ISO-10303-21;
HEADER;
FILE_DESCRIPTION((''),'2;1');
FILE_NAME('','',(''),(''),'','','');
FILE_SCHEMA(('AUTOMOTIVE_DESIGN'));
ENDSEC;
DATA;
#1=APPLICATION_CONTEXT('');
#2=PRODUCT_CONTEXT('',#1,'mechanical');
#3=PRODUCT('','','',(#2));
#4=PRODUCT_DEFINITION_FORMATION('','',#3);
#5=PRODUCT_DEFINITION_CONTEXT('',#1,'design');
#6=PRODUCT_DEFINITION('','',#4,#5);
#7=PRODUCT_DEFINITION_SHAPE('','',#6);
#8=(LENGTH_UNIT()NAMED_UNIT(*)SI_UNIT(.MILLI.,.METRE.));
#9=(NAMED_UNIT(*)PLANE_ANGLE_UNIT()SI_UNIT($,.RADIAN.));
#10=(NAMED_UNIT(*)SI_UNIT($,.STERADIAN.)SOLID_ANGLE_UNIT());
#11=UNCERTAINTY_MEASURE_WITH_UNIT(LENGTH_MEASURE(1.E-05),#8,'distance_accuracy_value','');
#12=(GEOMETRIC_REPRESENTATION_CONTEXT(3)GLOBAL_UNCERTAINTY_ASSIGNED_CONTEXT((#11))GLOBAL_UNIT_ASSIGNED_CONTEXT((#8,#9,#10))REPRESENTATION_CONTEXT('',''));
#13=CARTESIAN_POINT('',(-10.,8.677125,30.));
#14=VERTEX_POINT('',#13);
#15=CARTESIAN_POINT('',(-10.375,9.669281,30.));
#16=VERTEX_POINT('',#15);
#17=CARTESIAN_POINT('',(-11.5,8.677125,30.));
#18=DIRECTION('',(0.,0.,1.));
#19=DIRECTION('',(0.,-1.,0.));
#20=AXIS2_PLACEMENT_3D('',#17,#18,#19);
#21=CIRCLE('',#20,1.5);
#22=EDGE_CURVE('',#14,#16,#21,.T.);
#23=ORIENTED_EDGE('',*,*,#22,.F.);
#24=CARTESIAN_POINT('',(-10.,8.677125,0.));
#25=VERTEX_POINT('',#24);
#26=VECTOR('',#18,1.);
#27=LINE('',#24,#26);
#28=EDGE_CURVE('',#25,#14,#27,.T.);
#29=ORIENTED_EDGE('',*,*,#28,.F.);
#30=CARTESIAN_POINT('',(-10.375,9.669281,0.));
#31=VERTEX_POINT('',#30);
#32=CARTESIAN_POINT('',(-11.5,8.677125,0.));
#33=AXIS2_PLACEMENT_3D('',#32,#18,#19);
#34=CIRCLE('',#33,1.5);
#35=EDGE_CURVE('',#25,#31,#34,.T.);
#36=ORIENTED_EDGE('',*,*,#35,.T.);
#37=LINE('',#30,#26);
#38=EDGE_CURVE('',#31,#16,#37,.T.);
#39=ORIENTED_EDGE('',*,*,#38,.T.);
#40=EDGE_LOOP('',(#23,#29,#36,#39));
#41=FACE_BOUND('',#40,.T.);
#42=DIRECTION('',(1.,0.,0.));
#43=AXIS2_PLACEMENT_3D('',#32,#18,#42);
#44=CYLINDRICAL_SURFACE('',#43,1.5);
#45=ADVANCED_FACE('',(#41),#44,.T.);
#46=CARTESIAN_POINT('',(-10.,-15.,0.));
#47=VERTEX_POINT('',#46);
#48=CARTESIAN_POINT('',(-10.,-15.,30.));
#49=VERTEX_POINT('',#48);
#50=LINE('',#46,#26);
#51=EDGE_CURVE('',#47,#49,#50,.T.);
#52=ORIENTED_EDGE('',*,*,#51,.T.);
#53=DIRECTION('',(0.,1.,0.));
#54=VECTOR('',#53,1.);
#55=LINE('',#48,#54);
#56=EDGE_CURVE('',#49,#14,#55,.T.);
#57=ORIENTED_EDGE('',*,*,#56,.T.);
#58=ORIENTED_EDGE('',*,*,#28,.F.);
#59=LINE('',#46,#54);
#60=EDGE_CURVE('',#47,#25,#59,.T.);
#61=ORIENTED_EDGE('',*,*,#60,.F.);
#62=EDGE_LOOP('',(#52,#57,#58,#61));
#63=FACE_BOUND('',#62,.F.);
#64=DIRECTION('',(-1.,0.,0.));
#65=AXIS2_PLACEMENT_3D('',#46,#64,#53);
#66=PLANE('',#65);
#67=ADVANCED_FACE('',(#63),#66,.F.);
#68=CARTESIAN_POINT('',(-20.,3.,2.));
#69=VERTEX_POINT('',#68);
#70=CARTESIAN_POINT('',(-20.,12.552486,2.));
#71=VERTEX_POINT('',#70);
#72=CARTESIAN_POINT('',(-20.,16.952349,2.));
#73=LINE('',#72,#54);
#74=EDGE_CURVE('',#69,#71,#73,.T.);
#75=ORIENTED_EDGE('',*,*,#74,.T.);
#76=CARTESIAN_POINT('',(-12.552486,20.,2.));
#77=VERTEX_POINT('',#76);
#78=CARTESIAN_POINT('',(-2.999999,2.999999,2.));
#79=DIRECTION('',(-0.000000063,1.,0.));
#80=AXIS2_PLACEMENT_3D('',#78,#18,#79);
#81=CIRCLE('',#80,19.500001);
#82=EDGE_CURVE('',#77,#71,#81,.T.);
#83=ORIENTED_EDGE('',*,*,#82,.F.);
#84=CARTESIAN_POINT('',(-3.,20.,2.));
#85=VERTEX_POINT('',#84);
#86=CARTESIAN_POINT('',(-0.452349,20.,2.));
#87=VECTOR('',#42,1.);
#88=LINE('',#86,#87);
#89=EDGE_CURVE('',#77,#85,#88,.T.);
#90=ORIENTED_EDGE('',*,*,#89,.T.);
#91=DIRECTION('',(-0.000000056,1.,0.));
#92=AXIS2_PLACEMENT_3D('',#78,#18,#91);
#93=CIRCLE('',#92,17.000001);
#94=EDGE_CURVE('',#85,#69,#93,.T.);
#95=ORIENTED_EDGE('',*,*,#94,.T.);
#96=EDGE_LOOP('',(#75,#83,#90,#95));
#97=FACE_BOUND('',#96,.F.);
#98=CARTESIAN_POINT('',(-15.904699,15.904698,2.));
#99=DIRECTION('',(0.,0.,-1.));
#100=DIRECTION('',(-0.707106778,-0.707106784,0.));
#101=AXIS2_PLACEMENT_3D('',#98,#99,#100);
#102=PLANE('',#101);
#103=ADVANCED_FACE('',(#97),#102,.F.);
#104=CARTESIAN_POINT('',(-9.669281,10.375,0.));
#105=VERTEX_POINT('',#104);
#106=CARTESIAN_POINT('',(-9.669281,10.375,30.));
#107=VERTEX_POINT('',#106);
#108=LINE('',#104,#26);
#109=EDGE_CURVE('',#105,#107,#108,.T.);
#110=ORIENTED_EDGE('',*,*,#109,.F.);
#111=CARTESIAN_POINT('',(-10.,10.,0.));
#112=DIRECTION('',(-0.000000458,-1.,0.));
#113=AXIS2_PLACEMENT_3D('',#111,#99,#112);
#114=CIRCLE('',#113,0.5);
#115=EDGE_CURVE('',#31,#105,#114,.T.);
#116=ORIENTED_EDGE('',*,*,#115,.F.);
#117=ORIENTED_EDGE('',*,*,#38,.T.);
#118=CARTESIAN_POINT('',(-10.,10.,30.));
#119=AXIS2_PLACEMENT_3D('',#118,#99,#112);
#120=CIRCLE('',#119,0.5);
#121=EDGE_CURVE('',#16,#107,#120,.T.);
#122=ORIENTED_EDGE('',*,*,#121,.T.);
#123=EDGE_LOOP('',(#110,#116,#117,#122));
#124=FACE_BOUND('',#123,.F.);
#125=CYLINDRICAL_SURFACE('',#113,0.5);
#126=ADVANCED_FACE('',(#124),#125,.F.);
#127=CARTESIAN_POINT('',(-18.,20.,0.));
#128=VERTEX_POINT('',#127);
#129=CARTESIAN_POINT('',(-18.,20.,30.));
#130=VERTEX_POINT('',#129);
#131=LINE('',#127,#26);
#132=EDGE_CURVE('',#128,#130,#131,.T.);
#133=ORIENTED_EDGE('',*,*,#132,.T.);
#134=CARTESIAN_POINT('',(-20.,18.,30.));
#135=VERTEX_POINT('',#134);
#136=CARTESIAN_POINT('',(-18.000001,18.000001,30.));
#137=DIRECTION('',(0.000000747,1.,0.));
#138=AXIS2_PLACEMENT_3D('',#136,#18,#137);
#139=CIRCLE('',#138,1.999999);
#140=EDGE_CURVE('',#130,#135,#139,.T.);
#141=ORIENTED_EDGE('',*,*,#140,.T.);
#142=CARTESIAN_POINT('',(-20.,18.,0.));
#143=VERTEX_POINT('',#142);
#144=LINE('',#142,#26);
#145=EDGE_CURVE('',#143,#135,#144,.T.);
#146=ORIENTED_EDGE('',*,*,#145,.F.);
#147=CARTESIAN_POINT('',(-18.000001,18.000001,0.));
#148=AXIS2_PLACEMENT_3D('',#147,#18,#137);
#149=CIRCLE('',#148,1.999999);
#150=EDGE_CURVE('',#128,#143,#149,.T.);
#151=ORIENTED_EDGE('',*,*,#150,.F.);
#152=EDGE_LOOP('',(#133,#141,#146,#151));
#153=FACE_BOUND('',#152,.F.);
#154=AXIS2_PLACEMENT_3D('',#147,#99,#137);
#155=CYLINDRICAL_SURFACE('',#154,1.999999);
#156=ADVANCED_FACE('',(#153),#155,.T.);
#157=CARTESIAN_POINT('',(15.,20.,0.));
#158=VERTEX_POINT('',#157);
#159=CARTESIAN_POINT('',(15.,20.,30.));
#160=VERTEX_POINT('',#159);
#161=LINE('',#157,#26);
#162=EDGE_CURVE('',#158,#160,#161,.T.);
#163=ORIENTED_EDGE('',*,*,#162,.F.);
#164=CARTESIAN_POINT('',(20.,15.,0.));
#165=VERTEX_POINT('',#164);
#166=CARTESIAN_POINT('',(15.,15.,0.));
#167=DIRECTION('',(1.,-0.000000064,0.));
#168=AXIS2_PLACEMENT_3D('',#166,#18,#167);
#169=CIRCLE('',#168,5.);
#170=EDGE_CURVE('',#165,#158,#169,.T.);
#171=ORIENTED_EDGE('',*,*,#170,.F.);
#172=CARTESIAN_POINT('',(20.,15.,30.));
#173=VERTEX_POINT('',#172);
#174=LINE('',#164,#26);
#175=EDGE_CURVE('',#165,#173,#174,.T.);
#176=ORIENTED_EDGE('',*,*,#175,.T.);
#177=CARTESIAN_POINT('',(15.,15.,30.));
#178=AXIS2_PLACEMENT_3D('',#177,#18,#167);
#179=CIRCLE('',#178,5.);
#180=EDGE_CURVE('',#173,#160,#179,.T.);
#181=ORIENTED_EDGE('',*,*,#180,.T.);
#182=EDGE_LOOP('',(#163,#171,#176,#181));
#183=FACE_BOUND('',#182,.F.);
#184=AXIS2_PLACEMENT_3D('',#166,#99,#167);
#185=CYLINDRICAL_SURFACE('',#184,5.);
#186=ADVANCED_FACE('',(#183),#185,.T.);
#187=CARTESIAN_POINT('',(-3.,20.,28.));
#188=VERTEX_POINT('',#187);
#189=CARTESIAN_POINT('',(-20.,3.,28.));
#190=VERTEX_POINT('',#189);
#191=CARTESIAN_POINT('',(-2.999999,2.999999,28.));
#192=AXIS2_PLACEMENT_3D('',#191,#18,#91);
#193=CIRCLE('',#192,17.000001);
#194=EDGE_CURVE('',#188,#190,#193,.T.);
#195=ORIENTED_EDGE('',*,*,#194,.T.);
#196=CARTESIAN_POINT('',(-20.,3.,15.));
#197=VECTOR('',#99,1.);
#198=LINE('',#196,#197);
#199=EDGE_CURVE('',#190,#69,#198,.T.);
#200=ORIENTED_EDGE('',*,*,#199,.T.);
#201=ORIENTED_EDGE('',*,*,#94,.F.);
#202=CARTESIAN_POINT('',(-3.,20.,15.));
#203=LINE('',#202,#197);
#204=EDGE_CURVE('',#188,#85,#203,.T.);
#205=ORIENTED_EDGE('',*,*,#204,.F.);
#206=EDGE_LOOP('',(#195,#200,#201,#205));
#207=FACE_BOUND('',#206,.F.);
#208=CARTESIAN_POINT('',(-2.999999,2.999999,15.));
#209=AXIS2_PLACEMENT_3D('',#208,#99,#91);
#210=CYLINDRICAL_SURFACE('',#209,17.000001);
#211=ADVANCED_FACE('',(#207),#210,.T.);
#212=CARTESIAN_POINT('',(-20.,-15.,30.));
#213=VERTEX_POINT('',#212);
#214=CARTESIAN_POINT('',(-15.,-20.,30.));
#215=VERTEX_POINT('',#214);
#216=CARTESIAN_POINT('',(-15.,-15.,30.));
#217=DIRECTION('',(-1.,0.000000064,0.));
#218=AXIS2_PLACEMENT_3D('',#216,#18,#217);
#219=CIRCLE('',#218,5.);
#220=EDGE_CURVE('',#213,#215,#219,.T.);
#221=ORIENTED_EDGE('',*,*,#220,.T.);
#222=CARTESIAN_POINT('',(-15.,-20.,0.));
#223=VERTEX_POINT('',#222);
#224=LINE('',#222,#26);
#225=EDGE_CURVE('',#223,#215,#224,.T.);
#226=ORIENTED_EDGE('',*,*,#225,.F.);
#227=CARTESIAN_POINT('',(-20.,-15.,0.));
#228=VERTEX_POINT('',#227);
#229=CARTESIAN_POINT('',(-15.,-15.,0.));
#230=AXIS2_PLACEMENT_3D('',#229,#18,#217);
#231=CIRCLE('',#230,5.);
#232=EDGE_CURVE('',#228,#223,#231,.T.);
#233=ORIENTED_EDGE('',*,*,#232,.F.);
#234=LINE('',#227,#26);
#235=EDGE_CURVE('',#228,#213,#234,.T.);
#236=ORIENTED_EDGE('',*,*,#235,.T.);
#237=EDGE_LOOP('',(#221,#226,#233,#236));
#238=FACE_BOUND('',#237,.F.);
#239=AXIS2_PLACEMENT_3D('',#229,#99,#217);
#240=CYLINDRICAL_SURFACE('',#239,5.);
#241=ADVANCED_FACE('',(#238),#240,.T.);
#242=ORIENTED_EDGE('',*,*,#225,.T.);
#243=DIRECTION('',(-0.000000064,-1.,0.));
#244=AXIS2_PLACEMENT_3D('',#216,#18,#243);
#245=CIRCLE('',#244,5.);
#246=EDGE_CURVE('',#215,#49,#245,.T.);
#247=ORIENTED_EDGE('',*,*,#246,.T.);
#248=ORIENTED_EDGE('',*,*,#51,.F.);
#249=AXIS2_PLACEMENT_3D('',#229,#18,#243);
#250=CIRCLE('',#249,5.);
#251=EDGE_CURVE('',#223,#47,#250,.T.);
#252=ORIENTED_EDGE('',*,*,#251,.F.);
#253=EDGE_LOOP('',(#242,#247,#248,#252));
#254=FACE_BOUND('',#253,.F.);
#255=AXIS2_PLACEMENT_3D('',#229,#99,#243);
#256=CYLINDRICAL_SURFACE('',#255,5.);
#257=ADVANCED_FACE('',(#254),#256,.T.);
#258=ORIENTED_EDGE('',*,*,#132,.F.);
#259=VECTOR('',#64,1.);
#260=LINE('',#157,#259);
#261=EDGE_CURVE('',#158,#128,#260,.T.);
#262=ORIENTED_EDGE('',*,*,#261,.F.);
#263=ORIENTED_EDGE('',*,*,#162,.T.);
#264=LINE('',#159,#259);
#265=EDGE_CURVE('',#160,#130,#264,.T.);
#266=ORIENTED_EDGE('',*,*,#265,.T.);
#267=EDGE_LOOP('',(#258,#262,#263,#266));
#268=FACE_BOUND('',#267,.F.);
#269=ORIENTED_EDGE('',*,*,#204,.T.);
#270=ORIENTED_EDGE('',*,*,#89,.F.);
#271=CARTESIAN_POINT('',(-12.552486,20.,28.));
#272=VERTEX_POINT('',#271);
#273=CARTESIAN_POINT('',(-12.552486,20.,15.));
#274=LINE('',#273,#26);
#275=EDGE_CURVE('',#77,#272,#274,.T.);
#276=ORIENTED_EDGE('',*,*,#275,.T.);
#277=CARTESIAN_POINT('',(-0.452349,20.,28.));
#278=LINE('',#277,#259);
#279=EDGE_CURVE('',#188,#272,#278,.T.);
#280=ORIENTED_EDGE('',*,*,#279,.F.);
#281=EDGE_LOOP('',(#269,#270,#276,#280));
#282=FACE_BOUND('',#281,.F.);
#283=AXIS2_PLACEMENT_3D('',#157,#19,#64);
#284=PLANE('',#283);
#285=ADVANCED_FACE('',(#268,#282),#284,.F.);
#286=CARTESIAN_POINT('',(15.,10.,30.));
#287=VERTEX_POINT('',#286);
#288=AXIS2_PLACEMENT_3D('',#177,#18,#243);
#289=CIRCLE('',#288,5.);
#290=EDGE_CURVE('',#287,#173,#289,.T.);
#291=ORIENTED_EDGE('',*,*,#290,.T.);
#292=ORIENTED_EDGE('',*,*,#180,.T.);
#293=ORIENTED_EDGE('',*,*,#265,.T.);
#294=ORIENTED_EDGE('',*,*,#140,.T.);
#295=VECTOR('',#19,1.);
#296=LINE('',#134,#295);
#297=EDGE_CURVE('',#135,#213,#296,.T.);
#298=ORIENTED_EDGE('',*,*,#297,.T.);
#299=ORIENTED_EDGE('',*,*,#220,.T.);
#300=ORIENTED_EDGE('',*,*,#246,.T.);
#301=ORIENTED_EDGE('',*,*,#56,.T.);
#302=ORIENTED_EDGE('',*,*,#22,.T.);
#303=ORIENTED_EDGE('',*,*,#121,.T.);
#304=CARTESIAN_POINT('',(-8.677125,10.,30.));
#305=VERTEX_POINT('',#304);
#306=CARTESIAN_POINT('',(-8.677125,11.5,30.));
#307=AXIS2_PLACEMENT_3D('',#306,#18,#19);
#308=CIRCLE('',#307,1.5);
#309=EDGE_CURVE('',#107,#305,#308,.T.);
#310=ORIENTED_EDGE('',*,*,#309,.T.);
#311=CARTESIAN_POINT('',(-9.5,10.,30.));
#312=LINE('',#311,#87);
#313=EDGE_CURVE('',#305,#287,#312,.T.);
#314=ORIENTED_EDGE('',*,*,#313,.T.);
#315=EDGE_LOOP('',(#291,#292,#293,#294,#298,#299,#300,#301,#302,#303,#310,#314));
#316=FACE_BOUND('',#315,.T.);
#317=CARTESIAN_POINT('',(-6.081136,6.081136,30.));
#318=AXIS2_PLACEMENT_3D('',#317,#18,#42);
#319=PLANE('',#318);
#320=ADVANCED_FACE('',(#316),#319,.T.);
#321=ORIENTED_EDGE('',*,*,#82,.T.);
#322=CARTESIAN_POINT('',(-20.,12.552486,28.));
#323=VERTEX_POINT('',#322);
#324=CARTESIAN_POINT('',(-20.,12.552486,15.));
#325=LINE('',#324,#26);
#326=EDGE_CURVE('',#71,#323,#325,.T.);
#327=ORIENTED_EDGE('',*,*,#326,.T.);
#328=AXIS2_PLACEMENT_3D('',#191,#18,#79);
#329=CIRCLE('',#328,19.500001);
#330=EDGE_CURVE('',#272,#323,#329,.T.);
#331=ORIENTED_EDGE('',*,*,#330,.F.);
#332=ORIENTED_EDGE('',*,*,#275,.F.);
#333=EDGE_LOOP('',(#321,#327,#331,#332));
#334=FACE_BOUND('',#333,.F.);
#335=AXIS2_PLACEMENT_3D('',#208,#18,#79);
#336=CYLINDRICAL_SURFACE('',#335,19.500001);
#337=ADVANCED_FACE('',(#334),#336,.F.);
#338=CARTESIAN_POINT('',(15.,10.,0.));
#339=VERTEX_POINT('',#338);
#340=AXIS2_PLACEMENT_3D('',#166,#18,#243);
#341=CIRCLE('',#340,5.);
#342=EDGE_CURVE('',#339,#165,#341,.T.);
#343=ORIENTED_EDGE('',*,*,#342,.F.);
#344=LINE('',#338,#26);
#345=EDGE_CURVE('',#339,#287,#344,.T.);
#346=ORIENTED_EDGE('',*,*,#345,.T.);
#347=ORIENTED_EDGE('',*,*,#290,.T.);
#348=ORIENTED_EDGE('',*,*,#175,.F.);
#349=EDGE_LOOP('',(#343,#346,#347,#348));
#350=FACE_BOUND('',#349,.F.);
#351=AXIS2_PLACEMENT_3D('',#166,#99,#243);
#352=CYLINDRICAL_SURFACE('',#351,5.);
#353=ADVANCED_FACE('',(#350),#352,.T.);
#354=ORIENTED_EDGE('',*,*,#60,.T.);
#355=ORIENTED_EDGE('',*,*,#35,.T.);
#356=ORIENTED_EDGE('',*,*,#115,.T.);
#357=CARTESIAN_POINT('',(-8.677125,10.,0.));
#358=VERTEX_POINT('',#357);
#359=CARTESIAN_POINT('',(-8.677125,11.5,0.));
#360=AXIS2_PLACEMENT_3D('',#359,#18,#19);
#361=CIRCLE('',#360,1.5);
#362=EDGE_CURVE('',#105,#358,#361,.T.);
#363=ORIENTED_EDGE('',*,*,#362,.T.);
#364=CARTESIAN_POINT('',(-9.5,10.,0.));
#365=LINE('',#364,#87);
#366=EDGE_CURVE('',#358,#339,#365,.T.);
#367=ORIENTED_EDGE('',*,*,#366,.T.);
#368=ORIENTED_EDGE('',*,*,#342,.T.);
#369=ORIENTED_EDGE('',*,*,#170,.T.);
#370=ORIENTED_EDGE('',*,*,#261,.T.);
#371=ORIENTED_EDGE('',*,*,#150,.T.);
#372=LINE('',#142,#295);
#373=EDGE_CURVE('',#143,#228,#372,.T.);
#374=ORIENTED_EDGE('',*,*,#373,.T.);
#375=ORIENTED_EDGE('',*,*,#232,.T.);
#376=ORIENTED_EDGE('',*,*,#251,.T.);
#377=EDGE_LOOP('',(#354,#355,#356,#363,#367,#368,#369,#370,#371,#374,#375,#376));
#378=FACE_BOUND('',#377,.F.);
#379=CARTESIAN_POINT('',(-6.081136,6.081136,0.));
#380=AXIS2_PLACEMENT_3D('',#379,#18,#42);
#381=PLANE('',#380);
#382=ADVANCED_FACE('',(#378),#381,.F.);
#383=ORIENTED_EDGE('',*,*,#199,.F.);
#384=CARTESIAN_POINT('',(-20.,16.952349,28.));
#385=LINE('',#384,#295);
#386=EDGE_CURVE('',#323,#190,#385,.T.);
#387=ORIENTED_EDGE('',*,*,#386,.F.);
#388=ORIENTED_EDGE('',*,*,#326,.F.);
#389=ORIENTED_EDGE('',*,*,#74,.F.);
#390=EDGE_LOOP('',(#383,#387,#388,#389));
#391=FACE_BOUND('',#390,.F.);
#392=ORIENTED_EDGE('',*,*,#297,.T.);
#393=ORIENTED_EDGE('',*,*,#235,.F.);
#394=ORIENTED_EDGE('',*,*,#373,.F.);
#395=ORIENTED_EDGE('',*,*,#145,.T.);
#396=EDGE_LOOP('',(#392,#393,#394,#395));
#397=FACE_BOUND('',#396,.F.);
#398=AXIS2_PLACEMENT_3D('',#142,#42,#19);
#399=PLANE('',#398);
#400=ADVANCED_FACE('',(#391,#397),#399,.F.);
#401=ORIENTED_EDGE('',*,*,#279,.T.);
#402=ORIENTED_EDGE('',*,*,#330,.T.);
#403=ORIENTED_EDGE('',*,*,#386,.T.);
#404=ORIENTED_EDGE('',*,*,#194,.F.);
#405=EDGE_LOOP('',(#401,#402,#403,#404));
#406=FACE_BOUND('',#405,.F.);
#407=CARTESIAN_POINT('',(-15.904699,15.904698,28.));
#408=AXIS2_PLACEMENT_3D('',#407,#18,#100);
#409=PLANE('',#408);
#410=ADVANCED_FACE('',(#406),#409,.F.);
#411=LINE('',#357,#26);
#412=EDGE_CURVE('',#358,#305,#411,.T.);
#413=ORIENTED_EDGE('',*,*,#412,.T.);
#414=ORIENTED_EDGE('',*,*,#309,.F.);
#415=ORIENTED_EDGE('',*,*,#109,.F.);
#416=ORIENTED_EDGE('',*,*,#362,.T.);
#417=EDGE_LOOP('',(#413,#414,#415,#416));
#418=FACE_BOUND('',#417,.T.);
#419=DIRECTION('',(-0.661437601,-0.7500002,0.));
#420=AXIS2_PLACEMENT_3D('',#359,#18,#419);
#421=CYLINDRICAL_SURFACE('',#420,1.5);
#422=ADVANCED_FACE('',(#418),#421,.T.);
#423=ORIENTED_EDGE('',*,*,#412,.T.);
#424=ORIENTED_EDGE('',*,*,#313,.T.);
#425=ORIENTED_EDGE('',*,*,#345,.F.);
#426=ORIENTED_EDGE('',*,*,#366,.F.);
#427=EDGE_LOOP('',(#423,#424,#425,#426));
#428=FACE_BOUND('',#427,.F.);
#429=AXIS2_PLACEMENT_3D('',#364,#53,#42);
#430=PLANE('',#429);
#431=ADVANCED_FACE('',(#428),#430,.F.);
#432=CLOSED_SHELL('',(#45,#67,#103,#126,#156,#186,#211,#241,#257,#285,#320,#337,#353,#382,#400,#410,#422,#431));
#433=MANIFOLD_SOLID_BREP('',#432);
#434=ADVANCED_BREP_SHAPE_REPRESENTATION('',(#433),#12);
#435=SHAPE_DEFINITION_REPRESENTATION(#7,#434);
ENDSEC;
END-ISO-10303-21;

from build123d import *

# Parameters (mm, degrees)
F1_DEPTH = 30
F4_W     = 2.5
F4_H     = 26
F6_R     = 1.5


with BuildPart() as f1:
    # F0 (on Top) → F1 (new body)
    with BuildSketch(Plane.XY):
        with BuildLine():
            Line((15, 20), (-15, 20))
            Line((-15, 20), (-18, 20))
            ThreePointArc((-18, 20), (-19.414214, 19.414214), (-20, 18))
            Line((-20, 18), (-20, 15))
            Line((-20, 15), (-20, -15))
            ThreePointArc((-20, -15), (-18.535534, -18.535534), (-15, -20))
            ThreePointArc((-15, -20), (-11.464466, -18.535534), (-10, -15))
            Line((-10, -15), (-10, 9.5))
            ThreePointArc((-10, 9.5), (-10.353553, 10.353553), (-9.5, 10))
            Line((-9.5, 10), (15, 10))
            ThreePointArc((15, 10), (18.535534, 11.464466), (20, 15))
            ThreePointArc((20, 15), (18.535534, 18.535534), (15, 20))
        make_face()
    extrude(amount=F1_DEPTH)

    # F5: sweep along a path in F2
    with BuildLine(Plane.XY.offset(30)) as f5_path:
        ThreePointArc((-3, 20), (-15.020815, 15.020815), (-20, 3))
    # F4 (on face) → F5 (sweep, cut)
    with BuildSketch(Plane(origin=(0, 3, 0), x_dir=(-1, 0, 0), z_dir=(0, 1, 0))):
        with Locations((21.25, 15)):
            Rectangle(F4_W, F4_H)
    sweep(path=f5_path.line, mode=Mode.SUBTRACT)

    # F6
    f6_edges = [f1.edges().sort_by_distance(p)[0] for p in [
        (-10, 9.5, 15),
        (-9.5, 10, 15),
    ]]
    fillet(f6_edges, radius=F6_R)


solid = f1.part
